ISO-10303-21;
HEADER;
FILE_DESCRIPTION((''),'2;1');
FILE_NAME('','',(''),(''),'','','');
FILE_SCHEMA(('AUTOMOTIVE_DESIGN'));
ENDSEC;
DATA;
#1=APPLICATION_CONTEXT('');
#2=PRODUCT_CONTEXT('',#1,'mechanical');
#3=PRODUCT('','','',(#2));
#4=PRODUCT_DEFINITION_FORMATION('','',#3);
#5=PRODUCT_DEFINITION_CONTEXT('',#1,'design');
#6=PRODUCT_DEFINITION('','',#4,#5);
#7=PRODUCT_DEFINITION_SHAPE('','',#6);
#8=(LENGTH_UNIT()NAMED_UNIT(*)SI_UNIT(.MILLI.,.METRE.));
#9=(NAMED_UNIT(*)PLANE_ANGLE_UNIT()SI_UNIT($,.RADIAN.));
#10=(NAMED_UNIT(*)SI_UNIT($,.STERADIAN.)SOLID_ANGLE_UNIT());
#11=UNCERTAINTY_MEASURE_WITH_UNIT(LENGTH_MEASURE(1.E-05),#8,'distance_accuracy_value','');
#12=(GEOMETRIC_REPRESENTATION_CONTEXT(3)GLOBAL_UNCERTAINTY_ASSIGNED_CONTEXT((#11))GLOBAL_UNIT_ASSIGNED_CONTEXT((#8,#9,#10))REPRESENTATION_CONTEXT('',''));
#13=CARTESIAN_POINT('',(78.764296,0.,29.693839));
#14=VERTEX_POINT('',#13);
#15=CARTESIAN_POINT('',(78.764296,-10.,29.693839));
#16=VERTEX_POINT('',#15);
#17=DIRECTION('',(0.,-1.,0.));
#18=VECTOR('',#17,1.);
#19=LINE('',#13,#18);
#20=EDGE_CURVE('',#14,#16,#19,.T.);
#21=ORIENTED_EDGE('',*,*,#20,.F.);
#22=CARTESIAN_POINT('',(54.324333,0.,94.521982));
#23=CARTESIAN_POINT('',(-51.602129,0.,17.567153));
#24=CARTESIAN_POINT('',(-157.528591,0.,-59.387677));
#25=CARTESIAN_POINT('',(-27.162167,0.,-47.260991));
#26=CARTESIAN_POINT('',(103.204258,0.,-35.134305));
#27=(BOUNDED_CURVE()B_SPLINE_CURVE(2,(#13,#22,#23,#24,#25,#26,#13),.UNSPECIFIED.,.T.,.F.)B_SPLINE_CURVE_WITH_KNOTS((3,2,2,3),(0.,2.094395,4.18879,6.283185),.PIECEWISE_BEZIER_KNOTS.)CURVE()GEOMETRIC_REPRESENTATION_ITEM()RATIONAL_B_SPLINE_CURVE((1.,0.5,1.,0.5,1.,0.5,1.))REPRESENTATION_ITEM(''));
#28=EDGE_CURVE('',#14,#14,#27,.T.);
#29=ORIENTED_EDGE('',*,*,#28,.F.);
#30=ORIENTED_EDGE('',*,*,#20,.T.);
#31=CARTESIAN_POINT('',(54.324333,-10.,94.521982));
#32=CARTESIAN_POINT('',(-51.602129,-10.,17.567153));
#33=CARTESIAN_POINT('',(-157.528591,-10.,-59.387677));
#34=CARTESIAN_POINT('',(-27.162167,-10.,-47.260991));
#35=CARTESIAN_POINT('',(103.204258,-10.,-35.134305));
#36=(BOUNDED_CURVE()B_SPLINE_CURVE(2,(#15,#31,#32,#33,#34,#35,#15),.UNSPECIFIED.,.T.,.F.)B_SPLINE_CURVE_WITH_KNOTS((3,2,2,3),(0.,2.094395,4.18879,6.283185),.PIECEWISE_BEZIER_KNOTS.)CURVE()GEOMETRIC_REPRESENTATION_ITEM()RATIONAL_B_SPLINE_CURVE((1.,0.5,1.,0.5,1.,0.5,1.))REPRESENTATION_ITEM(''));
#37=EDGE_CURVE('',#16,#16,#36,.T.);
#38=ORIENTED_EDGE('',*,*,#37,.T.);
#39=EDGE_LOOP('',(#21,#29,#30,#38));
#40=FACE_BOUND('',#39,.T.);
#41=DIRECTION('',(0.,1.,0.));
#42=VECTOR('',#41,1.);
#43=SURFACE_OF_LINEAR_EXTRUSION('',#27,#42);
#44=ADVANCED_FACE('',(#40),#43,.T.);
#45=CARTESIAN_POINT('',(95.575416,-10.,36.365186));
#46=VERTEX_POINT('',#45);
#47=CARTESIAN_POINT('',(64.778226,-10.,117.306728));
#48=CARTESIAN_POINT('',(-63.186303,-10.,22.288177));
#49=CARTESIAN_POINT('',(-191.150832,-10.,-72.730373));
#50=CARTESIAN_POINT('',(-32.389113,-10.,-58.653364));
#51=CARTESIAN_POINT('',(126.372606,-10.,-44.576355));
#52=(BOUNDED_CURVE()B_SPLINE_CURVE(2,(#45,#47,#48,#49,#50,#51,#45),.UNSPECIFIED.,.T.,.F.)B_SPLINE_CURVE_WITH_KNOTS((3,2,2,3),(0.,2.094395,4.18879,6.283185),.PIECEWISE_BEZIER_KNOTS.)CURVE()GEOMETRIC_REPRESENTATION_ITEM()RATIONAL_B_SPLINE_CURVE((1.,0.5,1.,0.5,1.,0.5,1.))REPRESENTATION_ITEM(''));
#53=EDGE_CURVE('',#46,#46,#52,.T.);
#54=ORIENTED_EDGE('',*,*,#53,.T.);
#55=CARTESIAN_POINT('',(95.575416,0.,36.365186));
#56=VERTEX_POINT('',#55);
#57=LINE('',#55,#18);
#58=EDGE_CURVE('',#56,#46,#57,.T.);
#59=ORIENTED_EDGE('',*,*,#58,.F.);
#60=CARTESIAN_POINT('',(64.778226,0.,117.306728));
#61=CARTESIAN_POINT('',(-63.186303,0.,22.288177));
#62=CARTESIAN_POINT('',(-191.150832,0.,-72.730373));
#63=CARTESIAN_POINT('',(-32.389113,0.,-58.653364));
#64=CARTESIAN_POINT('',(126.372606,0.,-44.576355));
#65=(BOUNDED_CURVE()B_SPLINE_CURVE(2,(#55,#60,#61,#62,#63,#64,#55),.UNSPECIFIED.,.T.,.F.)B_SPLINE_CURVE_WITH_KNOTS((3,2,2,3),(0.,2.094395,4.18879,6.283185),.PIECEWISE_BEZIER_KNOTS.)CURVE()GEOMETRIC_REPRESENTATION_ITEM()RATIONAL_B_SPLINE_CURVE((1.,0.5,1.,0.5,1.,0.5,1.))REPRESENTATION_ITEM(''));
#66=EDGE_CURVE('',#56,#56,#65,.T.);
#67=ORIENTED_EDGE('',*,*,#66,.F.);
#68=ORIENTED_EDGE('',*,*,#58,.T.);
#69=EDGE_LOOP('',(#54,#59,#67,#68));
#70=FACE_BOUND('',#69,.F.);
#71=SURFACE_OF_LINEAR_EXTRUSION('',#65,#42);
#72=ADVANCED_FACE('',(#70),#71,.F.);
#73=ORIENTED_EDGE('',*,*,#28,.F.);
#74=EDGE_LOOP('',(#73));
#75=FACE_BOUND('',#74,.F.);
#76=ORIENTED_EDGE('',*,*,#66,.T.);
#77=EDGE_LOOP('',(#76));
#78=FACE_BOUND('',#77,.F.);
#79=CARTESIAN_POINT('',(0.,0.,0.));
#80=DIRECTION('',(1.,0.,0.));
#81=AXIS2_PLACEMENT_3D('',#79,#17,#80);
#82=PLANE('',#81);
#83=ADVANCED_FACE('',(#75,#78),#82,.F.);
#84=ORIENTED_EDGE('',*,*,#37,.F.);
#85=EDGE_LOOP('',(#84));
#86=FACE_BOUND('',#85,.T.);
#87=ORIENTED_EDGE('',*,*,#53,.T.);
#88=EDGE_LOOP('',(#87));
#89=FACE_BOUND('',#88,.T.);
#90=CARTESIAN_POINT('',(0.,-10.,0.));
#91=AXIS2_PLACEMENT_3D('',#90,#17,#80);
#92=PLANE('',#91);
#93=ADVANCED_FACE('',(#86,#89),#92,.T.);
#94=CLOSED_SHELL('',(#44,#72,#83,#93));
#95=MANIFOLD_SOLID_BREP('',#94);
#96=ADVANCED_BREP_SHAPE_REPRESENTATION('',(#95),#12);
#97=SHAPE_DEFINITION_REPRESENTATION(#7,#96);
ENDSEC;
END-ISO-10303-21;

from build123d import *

# Parameters (mm, degrees)
F1_DEPTH = 10


with BuildPart() as f1:
    # F0 (on Front) → F1 (new body)
    with BuildSketch(Plane.XZ):
        with BuildLine():
            add(Edge.make_bspline(
                [(95.575416, 36.365186), (64.778226, 117.306728), (-63.186303, 22.288177), (-191.150832, -72.730373), (-32.389113, -58.653364), (126.372606, -44.576355), (95.575416, 36.365186)],
                knots=[0, 0, 0, 2.094395, 2.094395, 4.18879, 4.18879, 6.283185, 6.283185, 6.283185], degree=2, weights=[1, 0.5, 1, 0.5, 1, 0.5, 1]))
        make_face()
        with BuildLine():
            add(Edge.make_bspline(
                [(78.764296, 29.693839), (54.324333, 94.521982), (-51.602129, 17.567153), (-157.528591, -59.387677), (-27.162167, -47.260991), (103.204258, -35.134305), (78.764296, 29.693839)],
                knots=[0, 0, 0, 2.094395, 2.094395, 4.18879, 4.18879, 6.283185, 6.283185, 6.283185], degree=2, weights=[1, 0.5, 1, 0.5, 1, 0.5, 1]))
        make_face(mode=Mode.SUBTRACT)
    extrude(amount=F1_DEPTH)


solid = f1.part
